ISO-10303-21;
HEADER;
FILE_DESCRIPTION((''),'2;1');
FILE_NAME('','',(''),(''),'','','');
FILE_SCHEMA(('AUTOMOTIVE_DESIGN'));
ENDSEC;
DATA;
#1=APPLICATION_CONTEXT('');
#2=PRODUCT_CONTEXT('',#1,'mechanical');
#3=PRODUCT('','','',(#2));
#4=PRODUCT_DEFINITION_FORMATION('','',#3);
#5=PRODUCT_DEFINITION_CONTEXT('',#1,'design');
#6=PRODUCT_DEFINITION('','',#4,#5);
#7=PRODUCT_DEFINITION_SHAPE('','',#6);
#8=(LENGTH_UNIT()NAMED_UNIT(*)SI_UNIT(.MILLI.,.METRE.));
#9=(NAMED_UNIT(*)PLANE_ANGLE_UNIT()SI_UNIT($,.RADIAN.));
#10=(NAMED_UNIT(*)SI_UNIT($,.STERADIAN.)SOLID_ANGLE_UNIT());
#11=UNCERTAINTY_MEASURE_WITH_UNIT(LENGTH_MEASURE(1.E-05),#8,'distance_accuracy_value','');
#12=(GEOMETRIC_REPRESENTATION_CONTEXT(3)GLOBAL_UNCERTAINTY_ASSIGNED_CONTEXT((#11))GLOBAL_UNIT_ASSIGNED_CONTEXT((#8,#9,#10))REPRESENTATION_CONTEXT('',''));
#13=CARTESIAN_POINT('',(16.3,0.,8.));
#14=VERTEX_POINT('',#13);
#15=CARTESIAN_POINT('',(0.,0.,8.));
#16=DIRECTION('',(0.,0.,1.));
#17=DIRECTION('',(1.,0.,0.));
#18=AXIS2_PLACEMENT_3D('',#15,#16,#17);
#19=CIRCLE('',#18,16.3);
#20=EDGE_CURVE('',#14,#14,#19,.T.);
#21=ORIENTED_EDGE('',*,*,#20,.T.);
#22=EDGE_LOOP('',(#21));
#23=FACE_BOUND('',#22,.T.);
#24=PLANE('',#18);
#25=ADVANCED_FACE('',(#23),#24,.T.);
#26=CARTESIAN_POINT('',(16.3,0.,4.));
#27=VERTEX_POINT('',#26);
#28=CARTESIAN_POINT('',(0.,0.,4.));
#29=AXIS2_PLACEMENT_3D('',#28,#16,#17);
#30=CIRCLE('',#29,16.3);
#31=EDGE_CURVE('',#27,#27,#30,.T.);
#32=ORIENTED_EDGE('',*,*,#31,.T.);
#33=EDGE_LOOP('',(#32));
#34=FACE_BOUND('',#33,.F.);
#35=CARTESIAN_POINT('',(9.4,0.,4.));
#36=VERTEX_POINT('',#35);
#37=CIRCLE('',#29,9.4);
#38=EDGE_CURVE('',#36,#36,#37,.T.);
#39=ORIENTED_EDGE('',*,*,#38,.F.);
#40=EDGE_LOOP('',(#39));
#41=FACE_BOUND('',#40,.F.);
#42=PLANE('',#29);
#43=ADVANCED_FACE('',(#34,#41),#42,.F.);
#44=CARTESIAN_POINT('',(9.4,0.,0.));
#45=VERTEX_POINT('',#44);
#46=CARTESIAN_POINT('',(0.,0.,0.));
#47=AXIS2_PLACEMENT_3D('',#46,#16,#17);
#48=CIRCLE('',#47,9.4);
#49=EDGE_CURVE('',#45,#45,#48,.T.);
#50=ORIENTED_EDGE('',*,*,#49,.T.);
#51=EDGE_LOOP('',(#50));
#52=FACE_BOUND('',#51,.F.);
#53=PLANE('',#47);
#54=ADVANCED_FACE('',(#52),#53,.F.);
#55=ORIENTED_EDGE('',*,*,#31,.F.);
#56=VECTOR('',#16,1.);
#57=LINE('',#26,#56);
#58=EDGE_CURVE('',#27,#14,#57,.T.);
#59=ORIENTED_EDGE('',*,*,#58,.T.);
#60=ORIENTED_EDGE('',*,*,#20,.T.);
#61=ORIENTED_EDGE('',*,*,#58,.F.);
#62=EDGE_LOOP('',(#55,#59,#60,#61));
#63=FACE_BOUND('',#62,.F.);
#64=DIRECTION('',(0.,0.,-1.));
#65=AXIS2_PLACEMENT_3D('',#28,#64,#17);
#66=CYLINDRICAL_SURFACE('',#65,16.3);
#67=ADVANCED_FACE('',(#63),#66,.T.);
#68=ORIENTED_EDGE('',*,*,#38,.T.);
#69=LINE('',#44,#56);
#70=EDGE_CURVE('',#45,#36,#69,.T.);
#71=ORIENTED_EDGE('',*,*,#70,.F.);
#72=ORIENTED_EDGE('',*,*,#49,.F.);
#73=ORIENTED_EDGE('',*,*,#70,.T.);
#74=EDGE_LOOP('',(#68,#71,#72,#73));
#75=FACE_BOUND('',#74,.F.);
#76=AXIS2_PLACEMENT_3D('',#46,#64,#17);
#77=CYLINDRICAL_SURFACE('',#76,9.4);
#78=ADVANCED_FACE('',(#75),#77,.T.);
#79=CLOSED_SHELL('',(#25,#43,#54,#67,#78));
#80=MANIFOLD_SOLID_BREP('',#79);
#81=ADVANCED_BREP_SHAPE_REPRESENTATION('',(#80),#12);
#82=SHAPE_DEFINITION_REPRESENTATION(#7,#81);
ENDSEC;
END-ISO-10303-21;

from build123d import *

# Parameters (mm, degrees)
SKETCH_R     = 9.4
PAD_DEPTH    = 4
SKETCH001_R  = 16.3
PAD001_DEPTH = 4


with BuildPart() as part:
    # Sketch → Pad (new body)
    with BuildSketch(Plane.XY):
        Circle(SKETCH_R)
    extrude(amount=PAD_DEPTH)

    # Sketch001 (on Face3 of Pad) → Pad001 (join)
    with BuildSketch(Plane.XY.offset(4)):
        Circle(SKETCH001_R)
    extrude(amount=PAD001_DEPTH)


solid = part.part
